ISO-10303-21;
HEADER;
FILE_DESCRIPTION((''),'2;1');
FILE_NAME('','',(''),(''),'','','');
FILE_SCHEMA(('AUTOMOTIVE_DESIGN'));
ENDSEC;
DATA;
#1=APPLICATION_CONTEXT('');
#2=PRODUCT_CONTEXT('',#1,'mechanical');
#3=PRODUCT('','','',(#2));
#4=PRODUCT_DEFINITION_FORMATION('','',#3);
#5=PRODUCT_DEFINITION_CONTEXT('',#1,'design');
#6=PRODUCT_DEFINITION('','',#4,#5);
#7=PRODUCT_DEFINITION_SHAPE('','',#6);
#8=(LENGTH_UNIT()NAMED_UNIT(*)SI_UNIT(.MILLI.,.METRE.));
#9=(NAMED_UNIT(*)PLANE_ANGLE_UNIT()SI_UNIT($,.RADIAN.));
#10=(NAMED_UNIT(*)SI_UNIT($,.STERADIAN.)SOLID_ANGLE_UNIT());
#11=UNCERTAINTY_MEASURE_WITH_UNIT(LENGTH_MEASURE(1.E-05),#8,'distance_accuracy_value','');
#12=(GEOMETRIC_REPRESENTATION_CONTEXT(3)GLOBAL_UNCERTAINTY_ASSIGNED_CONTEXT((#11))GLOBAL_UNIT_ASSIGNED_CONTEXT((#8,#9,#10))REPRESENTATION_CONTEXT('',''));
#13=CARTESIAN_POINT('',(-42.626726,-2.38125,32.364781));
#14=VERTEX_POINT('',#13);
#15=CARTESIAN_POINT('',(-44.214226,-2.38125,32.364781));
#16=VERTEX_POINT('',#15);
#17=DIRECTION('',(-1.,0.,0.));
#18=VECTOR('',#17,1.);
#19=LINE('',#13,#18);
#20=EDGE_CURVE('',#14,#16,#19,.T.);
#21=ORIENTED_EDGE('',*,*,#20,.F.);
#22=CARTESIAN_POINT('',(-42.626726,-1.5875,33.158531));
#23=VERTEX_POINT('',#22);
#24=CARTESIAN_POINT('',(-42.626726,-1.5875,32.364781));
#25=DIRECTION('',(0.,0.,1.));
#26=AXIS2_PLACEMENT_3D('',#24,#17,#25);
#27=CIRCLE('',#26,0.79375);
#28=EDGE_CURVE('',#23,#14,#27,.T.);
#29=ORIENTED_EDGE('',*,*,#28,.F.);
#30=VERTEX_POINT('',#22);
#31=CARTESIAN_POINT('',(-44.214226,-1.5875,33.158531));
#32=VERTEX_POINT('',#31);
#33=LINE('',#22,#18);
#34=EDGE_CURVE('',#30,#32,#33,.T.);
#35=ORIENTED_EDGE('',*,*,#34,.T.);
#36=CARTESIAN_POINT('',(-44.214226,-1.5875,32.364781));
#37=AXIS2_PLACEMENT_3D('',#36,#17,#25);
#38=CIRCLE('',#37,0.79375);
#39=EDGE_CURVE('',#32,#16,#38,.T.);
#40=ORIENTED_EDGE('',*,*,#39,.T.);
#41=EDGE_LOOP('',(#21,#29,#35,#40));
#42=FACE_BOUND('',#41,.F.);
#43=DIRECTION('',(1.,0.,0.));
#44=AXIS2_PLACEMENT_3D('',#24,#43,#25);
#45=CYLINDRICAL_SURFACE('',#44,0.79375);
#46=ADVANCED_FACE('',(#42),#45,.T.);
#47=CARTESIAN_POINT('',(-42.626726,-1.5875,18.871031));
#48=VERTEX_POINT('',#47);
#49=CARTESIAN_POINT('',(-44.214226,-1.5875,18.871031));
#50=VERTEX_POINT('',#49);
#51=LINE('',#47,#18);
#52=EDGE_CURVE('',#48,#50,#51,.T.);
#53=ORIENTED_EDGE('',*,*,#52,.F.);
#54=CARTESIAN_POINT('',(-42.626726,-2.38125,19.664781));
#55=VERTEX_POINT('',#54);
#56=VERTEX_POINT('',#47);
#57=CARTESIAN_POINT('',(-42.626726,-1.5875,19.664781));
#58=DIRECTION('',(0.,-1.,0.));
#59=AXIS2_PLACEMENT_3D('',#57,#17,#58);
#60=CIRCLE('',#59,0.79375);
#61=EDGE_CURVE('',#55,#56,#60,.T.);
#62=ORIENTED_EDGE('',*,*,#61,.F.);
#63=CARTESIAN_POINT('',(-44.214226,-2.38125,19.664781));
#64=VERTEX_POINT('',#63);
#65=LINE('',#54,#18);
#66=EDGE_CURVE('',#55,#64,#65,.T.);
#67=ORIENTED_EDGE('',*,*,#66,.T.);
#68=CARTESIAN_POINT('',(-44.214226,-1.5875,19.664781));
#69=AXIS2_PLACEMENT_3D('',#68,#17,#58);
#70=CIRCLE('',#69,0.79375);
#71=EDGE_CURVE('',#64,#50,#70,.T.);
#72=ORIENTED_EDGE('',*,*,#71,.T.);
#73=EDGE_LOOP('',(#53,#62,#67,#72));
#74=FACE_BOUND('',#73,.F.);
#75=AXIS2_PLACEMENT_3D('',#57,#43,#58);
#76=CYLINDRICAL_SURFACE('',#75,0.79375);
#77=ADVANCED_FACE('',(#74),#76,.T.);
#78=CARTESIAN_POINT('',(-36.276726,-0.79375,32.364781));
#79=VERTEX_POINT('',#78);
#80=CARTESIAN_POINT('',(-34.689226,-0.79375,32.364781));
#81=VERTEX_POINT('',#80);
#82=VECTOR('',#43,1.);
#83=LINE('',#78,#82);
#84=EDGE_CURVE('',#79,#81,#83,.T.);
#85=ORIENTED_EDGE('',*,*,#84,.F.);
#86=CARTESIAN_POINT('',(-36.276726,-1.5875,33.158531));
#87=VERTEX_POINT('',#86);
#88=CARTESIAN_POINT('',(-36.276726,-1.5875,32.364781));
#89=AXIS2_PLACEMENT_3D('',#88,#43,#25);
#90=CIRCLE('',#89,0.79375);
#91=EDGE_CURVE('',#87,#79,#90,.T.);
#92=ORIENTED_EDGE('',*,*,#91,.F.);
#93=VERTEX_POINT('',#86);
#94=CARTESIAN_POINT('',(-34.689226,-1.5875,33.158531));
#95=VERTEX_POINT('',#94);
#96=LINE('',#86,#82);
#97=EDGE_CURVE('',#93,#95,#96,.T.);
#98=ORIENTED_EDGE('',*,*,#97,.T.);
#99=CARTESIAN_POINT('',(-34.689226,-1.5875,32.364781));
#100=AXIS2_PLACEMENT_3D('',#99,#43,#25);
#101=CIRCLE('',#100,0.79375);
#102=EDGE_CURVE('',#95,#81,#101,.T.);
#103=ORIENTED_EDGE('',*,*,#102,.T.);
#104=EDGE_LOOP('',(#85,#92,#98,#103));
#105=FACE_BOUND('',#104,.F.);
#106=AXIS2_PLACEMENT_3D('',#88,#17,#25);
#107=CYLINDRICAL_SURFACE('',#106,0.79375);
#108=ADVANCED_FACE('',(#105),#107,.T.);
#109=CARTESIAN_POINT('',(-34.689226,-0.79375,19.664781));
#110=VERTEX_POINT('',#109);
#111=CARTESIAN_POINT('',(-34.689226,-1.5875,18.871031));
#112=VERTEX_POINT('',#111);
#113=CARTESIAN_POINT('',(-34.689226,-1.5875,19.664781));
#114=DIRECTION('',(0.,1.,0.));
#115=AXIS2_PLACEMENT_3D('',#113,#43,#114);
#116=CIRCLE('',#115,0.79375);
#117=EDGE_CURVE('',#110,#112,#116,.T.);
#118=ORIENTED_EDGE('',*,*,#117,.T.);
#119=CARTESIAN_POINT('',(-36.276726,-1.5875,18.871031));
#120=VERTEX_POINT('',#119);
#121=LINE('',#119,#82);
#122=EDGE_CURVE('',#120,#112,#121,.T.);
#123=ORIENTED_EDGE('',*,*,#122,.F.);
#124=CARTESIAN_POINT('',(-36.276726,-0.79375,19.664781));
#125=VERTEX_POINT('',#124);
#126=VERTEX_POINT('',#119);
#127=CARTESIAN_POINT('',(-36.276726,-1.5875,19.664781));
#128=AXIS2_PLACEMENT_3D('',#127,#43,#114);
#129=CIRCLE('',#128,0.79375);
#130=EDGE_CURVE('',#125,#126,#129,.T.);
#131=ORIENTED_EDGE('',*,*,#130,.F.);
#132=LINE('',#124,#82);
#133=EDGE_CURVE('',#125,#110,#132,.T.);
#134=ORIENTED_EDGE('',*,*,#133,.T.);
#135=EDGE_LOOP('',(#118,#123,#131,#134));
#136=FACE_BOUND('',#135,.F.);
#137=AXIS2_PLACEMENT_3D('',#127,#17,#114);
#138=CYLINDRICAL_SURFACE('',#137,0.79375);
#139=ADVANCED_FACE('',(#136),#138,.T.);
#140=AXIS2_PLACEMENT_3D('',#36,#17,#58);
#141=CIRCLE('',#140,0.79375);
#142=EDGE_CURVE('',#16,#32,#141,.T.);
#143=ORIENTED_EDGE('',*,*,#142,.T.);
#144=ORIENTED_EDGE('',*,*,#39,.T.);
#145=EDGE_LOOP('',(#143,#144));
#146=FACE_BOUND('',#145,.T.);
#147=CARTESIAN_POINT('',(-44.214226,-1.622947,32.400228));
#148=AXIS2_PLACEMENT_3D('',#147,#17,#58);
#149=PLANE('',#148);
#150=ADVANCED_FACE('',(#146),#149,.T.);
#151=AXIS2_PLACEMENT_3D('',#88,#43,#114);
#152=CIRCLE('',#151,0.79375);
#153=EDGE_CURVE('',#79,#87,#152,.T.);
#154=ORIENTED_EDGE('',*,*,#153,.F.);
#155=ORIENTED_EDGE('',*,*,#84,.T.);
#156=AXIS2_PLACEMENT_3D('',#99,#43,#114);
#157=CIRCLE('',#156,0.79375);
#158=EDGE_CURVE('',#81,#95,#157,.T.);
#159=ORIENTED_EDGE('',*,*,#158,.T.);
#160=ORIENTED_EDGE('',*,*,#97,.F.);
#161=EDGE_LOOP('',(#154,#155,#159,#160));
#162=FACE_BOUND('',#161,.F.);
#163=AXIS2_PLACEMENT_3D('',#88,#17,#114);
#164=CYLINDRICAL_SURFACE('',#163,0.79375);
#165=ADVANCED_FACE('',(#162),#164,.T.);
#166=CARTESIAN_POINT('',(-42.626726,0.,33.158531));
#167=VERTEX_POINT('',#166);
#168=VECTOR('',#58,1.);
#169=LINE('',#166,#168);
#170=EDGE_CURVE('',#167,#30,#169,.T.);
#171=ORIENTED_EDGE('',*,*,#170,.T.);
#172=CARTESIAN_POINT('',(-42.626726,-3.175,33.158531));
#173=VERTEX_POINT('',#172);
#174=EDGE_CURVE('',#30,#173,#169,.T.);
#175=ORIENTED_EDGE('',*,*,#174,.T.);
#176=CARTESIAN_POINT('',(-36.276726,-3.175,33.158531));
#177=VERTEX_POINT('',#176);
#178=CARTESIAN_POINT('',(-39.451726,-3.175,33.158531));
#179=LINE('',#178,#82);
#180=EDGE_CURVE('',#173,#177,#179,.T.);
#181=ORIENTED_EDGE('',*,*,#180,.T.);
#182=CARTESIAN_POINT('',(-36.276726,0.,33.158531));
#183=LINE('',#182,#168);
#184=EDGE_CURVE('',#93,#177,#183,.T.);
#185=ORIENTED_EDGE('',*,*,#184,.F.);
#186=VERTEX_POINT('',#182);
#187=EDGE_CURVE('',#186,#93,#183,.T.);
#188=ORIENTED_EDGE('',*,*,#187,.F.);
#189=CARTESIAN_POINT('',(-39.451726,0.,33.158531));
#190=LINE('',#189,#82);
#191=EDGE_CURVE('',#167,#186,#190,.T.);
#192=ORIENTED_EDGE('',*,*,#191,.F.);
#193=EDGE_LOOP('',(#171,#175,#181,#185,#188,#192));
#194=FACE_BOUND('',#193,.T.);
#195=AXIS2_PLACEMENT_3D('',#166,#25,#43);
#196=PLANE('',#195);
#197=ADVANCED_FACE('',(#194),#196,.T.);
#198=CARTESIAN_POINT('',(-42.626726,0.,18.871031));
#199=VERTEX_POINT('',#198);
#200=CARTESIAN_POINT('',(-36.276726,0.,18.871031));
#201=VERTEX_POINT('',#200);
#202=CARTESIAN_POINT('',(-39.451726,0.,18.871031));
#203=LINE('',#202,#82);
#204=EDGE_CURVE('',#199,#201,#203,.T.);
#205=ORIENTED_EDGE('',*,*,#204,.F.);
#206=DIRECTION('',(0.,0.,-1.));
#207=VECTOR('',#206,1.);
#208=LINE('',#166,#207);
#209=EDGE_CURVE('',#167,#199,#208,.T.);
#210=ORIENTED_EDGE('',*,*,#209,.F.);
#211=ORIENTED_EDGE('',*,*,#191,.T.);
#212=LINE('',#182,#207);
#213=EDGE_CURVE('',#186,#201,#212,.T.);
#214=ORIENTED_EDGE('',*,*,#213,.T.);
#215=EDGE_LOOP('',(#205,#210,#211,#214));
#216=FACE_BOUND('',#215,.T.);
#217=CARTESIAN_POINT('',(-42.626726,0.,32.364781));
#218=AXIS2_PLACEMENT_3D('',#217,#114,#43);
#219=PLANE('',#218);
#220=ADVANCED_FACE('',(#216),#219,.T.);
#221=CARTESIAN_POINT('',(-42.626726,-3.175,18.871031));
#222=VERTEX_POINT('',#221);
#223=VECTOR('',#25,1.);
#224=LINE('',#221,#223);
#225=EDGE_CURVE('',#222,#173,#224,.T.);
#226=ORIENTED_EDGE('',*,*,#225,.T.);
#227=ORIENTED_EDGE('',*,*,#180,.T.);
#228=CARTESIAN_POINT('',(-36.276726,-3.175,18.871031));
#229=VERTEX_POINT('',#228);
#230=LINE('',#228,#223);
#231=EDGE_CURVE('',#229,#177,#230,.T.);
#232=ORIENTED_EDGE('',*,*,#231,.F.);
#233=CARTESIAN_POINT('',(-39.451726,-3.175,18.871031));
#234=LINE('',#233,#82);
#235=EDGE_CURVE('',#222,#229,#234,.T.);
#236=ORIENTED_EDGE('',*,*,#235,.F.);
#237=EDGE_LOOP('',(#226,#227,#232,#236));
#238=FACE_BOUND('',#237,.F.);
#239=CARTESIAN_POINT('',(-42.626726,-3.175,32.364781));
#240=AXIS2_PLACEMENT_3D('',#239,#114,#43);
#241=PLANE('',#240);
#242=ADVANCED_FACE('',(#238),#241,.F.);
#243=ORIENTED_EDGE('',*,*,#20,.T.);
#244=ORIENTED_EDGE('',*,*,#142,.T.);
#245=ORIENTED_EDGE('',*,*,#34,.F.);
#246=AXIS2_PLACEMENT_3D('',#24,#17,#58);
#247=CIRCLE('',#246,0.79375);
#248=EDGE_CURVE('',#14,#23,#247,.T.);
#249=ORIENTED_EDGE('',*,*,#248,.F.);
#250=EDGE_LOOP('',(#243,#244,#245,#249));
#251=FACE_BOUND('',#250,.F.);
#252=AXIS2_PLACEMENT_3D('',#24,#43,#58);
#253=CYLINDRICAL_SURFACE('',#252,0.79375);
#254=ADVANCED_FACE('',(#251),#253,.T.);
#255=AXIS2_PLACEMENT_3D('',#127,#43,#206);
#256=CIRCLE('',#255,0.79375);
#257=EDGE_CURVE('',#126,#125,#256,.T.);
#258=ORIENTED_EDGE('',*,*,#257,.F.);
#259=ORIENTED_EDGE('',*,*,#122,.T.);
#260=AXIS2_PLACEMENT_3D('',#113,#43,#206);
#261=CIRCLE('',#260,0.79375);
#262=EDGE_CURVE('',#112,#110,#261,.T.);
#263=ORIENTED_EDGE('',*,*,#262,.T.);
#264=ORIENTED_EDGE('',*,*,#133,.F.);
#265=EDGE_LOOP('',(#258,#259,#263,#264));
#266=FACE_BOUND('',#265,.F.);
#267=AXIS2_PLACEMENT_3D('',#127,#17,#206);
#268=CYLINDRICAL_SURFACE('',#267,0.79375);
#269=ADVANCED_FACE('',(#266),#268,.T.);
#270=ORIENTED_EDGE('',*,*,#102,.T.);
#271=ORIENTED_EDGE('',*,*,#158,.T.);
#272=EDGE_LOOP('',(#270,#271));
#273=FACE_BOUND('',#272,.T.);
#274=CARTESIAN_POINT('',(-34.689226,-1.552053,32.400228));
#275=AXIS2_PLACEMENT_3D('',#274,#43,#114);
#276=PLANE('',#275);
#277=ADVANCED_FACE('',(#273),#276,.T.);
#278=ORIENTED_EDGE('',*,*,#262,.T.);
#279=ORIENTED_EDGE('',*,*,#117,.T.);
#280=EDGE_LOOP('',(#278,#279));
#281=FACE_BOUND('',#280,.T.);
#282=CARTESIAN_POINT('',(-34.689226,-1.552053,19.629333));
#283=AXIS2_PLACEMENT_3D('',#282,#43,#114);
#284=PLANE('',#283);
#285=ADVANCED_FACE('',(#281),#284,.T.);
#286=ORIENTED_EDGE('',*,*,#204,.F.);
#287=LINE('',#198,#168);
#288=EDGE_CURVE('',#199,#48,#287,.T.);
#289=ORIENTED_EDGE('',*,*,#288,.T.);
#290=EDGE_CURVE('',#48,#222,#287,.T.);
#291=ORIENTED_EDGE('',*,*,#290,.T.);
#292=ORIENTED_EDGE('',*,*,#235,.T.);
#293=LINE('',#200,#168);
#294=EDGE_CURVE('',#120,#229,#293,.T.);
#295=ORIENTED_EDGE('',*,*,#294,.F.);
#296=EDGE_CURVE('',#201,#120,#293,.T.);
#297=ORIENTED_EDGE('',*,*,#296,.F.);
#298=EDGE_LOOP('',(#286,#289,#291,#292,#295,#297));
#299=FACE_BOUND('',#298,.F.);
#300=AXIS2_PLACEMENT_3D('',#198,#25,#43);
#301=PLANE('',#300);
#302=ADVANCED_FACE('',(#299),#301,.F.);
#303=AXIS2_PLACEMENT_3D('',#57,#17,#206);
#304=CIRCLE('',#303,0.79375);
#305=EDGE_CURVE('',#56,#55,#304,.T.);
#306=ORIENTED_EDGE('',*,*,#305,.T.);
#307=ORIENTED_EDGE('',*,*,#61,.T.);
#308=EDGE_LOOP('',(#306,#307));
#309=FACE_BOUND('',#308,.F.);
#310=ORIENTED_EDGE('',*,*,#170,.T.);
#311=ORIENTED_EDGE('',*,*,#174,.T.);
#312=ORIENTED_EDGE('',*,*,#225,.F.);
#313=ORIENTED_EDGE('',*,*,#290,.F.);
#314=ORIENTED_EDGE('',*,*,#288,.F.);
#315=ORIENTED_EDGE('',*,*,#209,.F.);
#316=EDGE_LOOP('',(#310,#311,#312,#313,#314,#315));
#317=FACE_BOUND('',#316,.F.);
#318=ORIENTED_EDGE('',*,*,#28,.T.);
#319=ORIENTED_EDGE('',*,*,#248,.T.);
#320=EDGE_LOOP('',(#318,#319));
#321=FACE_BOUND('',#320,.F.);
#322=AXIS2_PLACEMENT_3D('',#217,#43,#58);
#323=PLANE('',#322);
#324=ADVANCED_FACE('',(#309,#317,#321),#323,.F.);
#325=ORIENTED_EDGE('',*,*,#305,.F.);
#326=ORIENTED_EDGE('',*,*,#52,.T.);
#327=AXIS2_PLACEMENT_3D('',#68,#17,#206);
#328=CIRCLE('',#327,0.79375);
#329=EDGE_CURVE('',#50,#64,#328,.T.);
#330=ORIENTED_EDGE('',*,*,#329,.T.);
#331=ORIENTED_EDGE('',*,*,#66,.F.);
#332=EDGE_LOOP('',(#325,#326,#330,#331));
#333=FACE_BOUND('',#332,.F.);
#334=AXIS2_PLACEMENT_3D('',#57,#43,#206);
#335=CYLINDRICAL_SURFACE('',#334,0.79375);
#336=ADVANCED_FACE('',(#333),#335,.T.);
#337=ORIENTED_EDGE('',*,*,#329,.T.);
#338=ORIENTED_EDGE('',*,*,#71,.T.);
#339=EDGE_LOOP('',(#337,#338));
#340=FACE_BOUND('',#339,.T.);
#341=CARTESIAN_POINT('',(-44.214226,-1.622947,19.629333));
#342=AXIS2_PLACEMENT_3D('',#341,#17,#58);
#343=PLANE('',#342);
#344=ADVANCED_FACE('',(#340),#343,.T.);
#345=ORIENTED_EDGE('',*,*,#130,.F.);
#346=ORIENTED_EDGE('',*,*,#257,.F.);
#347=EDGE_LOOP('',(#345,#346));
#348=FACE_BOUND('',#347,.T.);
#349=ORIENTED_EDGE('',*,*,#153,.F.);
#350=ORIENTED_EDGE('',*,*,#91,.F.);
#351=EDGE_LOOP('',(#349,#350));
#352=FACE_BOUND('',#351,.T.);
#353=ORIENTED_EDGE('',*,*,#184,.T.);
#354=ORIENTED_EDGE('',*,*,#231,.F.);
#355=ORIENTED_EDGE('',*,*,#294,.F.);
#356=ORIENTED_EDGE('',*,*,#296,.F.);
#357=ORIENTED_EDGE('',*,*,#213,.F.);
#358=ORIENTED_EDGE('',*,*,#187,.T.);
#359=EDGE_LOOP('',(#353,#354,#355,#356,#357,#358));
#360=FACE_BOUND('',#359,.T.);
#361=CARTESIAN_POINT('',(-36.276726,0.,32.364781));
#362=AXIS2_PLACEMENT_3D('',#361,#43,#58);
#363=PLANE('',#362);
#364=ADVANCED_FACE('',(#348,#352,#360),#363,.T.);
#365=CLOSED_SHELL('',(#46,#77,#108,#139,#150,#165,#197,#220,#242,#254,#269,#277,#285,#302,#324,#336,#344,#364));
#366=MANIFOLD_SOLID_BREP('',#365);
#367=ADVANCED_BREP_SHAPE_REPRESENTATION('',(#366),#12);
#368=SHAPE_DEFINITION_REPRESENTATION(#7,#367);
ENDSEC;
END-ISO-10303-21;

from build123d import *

# Parameters (mm, degrees)
F0_W     = 6.35
F0_H     = 12.7
F1_DEPTH = 3.175
F2_DEPTH = 0.79375
F3_DEPTH = 0.79375
F5_DEPTH = 1.5875
F7_DEPTH = 1.5875


with BuildPart() as f1:
    # F0 (on Front) → F1 (new body)
    with BuildSketch(Plane.XZ):
        with Locations((-39.4517260957, 26.0147806257)):
            Rectangle(F0_W, F0_H)
    extrude(amount=F1_DEPTH)

    # F2 (add): a face of the model
    f2_faces = [f1.faces().sort_by_distance(p)[0] for p in [
        (-39.4517260957, -1.5875, 19.6647806257),
    ]]
    extrude(f2_faces, amount=F2_DEPTH)

    # F3 (add): a face of the model
    f3_faces = [f1.faces().sort_by_distance(p)[0] for p in [
        (-39.4517260957, -1.5875, 32.3647806257),
    ]]
    extrude(f3_faces, amount=F3_DEPTH)

    # F4 (on face) → F5 (join)
    with BuildSketch(Plane(origin=(-42.6267260957, 0, 0), x_dir=(0, -1, 0), z_dir=(-1, 0, 0))):
        with BuildLine():
            ThreePointArc((1.5875, 33.1585306257), (1.0262339924, 31.8035146181), (2.38125, 32.3647806257))
            ThreePointArc((2.38125, 32.3647806257), (2.1487660076, 32.9260466333), (1.5875, 33.1585306257))
        make_face()
        with BuildLine():
            ThreePointArc((2.38125, 19.6647806257), (1.0262339924, 20.2260466333), (1.5875, 18.8710306257))
            ThreePointArc((1.5875, 18.8710306257), (2.1487660076, 19.1035146181), (2.38125, 19.6647806257))
        make_face()
    extrude(amount=F5_DEPTH)

    # F6 (on face) → F7 (join)
    with BuildSketch(Plane.YZ.offset(-36.2767260957)):
        with BuildLine():
            ThreePointArc((-1.5875, 33.1585306257), (-2.1487660076, 31.8035146181), (-0.79375, 32.3647806257))
            ThreePointArc((-0.79375, 32.3647806257), (-1.0262339924, 32.9260466333), (-1.5875, 33.1585306257))
        make_face()
        with BuildLine():
            ThreePointArc((-0.79375, 19.6647806257), (-2.1487660076, 20.2260466333), (-1.5875, 18.8710306257))
            ThreePointArc((-1.5875, 18.8710306257), (-1.0262339924, 19.1035146181), (-0.79375, 19.6647806257))
        make_face()
    extrude(amount=F7_DEPTH)


solid = f1.part
